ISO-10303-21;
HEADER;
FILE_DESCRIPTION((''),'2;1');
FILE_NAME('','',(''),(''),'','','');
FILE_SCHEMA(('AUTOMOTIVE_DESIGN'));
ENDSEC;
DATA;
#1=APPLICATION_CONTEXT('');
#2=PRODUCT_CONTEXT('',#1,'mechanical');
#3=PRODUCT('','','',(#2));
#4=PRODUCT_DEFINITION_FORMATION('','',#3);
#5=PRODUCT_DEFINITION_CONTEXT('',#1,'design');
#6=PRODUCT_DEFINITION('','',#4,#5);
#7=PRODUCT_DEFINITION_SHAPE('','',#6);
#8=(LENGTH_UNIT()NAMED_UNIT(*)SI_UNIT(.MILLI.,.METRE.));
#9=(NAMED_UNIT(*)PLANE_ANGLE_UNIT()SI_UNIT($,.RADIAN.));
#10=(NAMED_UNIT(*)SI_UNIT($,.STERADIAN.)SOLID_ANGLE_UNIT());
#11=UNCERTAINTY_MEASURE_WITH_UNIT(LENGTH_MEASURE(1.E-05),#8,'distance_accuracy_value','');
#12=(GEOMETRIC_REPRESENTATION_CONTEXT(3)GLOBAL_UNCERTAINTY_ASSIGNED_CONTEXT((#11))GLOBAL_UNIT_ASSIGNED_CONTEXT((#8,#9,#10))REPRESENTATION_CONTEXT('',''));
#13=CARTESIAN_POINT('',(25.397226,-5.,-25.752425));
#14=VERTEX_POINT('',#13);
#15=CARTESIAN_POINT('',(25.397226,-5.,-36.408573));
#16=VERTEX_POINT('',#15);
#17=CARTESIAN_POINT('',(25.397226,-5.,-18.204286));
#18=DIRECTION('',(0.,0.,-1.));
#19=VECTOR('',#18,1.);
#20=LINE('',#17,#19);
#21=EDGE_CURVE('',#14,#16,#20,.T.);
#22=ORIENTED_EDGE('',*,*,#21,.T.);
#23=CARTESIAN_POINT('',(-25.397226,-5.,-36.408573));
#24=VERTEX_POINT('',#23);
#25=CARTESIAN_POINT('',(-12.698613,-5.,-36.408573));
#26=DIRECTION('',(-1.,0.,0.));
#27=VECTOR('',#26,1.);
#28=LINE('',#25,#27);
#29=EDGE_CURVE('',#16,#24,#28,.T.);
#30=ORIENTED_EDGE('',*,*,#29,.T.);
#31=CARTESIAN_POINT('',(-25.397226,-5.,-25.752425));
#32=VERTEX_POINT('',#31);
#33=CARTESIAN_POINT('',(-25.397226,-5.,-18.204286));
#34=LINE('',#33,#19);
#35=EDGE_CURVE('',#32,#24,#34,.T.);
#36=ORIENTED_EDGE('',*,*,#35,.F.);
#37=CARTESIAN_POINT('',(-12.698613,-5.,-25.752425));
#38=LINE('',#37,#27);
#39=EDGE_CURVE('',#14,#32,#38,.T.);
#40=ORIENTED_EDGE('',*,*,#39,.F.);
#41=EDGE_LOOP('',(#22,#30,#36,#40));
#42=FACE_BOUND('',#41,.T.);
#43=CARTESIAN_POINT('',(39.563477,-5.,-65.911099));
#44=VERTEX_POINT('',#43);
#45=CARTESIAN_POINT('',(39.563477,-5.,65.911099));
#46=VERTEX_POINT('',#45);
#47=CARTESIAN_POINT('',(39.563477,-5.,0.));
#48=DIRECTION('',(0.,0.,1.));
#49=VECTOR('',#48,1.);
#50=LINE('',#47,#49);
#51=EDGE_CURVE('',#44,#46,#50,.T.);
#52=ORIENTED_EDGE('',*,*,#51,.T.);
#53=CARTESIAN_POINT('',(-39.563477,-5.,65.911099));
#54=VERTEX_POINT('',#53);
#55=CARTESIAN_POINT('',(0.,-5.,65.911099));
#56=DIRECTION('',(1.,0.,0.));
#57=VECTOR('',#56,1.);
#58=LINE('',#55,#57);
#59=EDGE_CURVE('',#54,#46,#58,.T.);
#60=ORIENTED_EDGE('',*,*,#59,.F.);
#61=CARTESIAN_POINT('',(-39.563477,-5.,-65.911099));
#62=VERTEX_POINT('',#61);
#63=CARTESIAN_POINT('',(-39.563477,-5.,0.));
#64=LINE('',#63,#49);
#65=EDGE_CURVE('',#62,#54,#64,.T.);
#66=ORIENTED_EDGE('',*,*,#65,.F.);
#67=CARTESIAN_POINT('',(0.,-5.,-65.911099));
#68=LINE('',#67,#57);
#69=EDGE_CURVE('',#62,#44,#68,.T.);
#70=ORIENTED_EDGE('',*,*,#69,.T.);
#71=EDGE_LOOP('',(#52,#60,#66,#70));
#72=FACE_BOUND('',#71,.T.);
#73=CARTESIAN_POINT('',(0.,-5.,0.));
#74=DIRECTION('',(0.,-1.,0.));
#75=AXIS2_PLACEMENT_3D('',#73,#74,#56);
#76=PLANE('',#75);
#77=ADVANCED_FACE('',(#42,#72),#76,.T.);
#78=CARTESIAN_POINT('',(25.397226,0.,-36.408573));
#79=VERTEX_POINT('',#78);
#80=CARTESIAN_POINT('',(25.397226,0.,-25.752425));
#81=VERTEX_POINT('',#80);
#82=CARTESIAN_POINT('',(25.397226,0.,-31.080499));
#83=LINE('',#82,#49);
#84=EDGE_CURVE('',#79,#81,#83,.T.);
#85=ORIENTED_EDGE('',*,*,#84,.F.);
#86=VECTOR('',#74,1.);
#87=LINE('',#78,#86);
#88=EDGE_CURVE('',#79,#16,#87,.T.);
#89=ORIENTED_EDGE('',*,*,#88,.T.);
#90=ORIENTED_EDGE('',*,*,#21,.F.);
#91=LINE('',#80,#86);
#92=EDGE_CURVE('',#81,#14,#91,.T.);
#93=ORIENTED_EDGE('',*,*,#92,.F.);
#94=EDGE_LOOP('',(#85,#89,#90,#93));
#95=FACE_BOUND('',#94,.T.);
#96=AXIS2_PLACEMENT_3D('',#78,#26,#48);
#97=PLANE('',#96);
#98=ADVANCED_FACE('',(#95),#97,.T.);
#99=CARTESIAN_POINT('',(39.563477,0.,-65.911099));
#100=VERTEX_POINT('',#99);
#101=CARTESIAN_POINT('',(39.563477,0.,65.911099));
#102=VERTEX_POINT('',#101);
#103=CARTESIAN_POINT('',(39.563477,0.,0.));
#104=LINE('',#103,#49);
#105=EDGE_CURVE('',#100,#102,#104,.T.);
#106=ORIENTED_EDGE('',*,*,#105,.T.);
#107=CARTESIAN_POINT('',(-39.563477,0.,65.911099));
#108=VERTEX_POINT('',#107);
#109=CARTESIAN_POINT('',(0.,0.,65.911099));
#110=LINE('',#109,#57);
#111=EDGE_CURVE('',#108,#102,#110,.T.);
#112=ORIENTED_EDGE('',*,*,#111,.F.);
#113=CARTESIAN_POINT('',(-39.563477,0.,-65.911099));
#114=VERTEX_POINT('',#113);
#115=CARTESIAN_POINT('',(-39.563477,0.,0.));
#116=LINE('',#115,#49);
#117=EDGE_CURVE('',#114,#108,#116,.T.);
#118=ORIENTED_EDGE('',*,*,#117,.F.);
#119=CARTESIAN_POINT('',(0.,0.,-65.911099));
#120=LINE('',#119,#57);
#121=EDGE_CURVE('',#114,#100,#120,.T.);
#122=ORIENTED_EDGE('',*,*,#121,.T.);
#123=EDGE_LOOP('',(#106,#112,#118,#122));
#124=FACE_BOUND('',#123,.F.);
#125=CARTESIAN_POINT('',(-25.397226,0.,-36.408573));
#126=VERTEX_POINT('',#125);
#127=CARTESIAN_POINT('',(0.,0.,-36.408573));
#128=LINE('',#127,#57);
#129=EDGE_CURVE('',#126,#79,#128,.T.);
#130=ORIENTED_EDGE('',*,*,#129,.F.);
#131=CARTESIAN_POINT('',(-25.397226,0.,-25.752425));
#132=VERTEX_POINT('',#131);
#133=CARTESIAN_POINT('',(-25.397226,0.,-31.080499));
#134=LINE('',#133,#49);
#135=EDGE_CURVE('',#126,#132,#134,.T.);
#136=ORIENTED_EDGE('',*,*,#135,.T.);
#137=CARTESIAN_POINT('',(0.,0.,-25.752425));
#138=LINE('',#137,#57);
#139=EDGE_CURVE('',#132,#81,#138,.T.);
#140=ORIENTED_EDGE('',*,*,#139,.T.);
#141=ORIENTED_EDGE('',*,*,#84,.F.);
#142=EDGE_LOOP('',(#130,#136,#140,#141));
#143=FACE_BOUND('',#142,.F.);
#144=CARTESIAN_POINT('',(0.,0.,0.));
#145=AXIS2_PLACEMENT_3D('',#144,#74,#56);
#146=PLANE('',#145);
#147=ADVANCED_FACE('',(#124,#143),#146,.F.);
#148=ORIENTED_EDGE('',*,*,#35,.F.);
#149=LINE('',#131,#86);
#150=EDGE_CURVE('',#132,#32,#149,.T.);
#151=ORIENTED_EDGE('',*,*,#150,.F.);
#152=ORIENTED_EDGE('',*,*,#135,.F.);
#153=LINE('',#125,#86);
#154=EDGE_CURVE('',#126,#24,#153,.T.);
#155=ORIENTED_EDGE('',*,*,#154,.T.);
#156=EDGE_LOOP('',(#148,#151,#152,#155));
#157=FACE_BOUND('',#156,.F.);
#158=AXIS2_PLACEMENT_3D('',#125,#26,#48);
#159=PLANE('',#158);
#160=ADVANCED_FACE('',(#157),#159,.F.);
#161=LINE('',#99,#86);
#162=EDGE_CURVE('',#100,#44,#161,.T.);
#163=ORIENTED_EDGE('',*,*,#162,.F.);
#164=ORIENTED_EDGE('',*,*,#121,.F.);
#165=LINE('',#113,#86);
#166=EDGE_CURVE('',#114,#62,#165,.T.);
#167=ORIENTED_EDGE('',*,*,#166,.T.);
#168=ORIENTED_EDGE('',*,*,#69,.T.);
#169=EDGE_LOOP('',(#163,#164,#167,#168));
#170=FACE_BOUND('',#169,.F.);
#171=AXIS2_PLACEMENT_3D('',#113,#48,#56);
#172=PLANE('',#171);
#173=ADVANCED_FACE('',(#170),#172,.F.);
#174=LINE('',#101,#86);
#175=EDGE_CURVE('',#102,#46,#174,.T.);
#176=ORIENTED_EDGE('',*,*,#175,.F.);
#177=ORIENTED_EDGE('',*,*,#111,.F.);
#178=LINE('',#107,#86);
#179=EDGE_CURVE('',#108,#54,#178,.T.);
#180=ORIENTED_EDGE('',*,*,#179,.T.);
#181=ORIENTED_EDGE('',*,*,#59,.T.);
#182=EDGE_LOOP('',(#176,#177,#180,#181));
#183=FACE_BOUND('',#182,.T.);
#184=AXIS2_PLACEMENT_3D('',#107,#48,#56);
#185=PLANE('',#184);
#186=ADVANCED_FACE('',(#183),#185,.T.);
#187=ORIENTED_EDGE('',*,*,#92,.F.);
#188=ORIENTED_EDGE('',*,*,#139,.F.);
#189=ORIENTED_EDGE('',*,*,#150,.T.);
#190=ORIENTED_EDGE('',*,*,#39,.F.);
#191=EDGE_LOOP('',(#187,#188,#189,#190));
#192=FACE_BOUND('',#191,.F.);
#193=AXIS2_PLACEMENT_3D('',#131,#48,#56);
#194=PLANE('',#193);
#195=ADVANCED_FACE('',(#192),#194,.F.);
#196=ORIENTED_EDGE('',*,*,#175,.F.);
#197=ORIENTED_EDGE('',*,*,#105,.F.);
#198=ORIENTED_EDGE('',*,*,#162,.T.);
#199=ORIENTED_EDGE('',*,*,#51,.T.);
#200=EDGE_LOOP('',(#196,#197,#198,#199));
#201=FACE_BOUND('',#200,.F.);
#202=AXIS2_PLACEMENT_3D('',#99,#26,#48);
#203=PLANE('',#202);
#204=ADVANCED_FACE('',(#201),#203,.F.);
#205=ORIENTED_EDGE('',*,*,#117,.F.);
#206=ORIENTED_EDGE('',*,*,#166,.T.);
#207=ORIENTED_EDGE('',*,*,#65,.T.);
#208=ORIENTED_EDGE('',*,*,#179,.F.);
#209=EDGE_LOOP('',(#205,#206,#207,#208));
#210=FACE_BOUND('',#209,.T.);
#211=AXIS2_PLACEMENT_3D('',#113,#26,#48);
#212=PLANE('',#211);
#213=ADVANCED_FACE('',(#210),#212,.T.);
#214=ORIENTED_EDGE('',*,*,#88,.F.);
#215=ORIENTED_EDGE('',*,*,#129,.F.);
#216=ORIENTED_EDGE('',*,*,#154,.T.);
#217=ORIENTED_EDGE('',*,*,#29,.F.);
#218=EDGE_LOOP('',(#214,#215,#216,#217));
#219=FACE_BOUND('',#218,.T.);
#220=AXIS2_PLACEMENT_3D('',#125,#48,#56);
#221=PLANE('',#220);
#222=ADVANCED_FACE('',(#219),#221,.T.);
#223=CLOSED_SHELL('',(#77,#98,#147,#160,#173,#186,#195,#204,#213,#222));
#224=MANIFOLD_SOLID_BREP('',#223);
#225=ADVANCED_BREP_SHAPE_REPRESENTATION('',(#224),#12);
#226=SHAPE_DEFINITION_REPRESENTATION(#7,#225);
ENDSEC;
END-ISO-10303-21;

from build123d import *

# Parameters (mm, degrees)
F0_W     = 79.126954
F0_H     = 131.822198
F1_DEPTH = 5
F2_W     = 50.794452
F2_H     = 10.656148
F3_DEPTH = 10


with BuildPart() as f1:
    # F0 (on Front) → F1 (new body)
    with BuildSketch(Plane.XZ):
        Rectangle(F0_W, F0_H)
    extrude(amount=F1_DEPTH)

    # F2 (on face) → F3 (cut)
    with BuildSketch(Plane.XZ):
        with Locations((0, -31.080499)):
            Rectangle(F2_W, F2_H)
    extrude(amount=F3_DEPTH, mode=Mode.SUBTRACT)


solid = f1.part
